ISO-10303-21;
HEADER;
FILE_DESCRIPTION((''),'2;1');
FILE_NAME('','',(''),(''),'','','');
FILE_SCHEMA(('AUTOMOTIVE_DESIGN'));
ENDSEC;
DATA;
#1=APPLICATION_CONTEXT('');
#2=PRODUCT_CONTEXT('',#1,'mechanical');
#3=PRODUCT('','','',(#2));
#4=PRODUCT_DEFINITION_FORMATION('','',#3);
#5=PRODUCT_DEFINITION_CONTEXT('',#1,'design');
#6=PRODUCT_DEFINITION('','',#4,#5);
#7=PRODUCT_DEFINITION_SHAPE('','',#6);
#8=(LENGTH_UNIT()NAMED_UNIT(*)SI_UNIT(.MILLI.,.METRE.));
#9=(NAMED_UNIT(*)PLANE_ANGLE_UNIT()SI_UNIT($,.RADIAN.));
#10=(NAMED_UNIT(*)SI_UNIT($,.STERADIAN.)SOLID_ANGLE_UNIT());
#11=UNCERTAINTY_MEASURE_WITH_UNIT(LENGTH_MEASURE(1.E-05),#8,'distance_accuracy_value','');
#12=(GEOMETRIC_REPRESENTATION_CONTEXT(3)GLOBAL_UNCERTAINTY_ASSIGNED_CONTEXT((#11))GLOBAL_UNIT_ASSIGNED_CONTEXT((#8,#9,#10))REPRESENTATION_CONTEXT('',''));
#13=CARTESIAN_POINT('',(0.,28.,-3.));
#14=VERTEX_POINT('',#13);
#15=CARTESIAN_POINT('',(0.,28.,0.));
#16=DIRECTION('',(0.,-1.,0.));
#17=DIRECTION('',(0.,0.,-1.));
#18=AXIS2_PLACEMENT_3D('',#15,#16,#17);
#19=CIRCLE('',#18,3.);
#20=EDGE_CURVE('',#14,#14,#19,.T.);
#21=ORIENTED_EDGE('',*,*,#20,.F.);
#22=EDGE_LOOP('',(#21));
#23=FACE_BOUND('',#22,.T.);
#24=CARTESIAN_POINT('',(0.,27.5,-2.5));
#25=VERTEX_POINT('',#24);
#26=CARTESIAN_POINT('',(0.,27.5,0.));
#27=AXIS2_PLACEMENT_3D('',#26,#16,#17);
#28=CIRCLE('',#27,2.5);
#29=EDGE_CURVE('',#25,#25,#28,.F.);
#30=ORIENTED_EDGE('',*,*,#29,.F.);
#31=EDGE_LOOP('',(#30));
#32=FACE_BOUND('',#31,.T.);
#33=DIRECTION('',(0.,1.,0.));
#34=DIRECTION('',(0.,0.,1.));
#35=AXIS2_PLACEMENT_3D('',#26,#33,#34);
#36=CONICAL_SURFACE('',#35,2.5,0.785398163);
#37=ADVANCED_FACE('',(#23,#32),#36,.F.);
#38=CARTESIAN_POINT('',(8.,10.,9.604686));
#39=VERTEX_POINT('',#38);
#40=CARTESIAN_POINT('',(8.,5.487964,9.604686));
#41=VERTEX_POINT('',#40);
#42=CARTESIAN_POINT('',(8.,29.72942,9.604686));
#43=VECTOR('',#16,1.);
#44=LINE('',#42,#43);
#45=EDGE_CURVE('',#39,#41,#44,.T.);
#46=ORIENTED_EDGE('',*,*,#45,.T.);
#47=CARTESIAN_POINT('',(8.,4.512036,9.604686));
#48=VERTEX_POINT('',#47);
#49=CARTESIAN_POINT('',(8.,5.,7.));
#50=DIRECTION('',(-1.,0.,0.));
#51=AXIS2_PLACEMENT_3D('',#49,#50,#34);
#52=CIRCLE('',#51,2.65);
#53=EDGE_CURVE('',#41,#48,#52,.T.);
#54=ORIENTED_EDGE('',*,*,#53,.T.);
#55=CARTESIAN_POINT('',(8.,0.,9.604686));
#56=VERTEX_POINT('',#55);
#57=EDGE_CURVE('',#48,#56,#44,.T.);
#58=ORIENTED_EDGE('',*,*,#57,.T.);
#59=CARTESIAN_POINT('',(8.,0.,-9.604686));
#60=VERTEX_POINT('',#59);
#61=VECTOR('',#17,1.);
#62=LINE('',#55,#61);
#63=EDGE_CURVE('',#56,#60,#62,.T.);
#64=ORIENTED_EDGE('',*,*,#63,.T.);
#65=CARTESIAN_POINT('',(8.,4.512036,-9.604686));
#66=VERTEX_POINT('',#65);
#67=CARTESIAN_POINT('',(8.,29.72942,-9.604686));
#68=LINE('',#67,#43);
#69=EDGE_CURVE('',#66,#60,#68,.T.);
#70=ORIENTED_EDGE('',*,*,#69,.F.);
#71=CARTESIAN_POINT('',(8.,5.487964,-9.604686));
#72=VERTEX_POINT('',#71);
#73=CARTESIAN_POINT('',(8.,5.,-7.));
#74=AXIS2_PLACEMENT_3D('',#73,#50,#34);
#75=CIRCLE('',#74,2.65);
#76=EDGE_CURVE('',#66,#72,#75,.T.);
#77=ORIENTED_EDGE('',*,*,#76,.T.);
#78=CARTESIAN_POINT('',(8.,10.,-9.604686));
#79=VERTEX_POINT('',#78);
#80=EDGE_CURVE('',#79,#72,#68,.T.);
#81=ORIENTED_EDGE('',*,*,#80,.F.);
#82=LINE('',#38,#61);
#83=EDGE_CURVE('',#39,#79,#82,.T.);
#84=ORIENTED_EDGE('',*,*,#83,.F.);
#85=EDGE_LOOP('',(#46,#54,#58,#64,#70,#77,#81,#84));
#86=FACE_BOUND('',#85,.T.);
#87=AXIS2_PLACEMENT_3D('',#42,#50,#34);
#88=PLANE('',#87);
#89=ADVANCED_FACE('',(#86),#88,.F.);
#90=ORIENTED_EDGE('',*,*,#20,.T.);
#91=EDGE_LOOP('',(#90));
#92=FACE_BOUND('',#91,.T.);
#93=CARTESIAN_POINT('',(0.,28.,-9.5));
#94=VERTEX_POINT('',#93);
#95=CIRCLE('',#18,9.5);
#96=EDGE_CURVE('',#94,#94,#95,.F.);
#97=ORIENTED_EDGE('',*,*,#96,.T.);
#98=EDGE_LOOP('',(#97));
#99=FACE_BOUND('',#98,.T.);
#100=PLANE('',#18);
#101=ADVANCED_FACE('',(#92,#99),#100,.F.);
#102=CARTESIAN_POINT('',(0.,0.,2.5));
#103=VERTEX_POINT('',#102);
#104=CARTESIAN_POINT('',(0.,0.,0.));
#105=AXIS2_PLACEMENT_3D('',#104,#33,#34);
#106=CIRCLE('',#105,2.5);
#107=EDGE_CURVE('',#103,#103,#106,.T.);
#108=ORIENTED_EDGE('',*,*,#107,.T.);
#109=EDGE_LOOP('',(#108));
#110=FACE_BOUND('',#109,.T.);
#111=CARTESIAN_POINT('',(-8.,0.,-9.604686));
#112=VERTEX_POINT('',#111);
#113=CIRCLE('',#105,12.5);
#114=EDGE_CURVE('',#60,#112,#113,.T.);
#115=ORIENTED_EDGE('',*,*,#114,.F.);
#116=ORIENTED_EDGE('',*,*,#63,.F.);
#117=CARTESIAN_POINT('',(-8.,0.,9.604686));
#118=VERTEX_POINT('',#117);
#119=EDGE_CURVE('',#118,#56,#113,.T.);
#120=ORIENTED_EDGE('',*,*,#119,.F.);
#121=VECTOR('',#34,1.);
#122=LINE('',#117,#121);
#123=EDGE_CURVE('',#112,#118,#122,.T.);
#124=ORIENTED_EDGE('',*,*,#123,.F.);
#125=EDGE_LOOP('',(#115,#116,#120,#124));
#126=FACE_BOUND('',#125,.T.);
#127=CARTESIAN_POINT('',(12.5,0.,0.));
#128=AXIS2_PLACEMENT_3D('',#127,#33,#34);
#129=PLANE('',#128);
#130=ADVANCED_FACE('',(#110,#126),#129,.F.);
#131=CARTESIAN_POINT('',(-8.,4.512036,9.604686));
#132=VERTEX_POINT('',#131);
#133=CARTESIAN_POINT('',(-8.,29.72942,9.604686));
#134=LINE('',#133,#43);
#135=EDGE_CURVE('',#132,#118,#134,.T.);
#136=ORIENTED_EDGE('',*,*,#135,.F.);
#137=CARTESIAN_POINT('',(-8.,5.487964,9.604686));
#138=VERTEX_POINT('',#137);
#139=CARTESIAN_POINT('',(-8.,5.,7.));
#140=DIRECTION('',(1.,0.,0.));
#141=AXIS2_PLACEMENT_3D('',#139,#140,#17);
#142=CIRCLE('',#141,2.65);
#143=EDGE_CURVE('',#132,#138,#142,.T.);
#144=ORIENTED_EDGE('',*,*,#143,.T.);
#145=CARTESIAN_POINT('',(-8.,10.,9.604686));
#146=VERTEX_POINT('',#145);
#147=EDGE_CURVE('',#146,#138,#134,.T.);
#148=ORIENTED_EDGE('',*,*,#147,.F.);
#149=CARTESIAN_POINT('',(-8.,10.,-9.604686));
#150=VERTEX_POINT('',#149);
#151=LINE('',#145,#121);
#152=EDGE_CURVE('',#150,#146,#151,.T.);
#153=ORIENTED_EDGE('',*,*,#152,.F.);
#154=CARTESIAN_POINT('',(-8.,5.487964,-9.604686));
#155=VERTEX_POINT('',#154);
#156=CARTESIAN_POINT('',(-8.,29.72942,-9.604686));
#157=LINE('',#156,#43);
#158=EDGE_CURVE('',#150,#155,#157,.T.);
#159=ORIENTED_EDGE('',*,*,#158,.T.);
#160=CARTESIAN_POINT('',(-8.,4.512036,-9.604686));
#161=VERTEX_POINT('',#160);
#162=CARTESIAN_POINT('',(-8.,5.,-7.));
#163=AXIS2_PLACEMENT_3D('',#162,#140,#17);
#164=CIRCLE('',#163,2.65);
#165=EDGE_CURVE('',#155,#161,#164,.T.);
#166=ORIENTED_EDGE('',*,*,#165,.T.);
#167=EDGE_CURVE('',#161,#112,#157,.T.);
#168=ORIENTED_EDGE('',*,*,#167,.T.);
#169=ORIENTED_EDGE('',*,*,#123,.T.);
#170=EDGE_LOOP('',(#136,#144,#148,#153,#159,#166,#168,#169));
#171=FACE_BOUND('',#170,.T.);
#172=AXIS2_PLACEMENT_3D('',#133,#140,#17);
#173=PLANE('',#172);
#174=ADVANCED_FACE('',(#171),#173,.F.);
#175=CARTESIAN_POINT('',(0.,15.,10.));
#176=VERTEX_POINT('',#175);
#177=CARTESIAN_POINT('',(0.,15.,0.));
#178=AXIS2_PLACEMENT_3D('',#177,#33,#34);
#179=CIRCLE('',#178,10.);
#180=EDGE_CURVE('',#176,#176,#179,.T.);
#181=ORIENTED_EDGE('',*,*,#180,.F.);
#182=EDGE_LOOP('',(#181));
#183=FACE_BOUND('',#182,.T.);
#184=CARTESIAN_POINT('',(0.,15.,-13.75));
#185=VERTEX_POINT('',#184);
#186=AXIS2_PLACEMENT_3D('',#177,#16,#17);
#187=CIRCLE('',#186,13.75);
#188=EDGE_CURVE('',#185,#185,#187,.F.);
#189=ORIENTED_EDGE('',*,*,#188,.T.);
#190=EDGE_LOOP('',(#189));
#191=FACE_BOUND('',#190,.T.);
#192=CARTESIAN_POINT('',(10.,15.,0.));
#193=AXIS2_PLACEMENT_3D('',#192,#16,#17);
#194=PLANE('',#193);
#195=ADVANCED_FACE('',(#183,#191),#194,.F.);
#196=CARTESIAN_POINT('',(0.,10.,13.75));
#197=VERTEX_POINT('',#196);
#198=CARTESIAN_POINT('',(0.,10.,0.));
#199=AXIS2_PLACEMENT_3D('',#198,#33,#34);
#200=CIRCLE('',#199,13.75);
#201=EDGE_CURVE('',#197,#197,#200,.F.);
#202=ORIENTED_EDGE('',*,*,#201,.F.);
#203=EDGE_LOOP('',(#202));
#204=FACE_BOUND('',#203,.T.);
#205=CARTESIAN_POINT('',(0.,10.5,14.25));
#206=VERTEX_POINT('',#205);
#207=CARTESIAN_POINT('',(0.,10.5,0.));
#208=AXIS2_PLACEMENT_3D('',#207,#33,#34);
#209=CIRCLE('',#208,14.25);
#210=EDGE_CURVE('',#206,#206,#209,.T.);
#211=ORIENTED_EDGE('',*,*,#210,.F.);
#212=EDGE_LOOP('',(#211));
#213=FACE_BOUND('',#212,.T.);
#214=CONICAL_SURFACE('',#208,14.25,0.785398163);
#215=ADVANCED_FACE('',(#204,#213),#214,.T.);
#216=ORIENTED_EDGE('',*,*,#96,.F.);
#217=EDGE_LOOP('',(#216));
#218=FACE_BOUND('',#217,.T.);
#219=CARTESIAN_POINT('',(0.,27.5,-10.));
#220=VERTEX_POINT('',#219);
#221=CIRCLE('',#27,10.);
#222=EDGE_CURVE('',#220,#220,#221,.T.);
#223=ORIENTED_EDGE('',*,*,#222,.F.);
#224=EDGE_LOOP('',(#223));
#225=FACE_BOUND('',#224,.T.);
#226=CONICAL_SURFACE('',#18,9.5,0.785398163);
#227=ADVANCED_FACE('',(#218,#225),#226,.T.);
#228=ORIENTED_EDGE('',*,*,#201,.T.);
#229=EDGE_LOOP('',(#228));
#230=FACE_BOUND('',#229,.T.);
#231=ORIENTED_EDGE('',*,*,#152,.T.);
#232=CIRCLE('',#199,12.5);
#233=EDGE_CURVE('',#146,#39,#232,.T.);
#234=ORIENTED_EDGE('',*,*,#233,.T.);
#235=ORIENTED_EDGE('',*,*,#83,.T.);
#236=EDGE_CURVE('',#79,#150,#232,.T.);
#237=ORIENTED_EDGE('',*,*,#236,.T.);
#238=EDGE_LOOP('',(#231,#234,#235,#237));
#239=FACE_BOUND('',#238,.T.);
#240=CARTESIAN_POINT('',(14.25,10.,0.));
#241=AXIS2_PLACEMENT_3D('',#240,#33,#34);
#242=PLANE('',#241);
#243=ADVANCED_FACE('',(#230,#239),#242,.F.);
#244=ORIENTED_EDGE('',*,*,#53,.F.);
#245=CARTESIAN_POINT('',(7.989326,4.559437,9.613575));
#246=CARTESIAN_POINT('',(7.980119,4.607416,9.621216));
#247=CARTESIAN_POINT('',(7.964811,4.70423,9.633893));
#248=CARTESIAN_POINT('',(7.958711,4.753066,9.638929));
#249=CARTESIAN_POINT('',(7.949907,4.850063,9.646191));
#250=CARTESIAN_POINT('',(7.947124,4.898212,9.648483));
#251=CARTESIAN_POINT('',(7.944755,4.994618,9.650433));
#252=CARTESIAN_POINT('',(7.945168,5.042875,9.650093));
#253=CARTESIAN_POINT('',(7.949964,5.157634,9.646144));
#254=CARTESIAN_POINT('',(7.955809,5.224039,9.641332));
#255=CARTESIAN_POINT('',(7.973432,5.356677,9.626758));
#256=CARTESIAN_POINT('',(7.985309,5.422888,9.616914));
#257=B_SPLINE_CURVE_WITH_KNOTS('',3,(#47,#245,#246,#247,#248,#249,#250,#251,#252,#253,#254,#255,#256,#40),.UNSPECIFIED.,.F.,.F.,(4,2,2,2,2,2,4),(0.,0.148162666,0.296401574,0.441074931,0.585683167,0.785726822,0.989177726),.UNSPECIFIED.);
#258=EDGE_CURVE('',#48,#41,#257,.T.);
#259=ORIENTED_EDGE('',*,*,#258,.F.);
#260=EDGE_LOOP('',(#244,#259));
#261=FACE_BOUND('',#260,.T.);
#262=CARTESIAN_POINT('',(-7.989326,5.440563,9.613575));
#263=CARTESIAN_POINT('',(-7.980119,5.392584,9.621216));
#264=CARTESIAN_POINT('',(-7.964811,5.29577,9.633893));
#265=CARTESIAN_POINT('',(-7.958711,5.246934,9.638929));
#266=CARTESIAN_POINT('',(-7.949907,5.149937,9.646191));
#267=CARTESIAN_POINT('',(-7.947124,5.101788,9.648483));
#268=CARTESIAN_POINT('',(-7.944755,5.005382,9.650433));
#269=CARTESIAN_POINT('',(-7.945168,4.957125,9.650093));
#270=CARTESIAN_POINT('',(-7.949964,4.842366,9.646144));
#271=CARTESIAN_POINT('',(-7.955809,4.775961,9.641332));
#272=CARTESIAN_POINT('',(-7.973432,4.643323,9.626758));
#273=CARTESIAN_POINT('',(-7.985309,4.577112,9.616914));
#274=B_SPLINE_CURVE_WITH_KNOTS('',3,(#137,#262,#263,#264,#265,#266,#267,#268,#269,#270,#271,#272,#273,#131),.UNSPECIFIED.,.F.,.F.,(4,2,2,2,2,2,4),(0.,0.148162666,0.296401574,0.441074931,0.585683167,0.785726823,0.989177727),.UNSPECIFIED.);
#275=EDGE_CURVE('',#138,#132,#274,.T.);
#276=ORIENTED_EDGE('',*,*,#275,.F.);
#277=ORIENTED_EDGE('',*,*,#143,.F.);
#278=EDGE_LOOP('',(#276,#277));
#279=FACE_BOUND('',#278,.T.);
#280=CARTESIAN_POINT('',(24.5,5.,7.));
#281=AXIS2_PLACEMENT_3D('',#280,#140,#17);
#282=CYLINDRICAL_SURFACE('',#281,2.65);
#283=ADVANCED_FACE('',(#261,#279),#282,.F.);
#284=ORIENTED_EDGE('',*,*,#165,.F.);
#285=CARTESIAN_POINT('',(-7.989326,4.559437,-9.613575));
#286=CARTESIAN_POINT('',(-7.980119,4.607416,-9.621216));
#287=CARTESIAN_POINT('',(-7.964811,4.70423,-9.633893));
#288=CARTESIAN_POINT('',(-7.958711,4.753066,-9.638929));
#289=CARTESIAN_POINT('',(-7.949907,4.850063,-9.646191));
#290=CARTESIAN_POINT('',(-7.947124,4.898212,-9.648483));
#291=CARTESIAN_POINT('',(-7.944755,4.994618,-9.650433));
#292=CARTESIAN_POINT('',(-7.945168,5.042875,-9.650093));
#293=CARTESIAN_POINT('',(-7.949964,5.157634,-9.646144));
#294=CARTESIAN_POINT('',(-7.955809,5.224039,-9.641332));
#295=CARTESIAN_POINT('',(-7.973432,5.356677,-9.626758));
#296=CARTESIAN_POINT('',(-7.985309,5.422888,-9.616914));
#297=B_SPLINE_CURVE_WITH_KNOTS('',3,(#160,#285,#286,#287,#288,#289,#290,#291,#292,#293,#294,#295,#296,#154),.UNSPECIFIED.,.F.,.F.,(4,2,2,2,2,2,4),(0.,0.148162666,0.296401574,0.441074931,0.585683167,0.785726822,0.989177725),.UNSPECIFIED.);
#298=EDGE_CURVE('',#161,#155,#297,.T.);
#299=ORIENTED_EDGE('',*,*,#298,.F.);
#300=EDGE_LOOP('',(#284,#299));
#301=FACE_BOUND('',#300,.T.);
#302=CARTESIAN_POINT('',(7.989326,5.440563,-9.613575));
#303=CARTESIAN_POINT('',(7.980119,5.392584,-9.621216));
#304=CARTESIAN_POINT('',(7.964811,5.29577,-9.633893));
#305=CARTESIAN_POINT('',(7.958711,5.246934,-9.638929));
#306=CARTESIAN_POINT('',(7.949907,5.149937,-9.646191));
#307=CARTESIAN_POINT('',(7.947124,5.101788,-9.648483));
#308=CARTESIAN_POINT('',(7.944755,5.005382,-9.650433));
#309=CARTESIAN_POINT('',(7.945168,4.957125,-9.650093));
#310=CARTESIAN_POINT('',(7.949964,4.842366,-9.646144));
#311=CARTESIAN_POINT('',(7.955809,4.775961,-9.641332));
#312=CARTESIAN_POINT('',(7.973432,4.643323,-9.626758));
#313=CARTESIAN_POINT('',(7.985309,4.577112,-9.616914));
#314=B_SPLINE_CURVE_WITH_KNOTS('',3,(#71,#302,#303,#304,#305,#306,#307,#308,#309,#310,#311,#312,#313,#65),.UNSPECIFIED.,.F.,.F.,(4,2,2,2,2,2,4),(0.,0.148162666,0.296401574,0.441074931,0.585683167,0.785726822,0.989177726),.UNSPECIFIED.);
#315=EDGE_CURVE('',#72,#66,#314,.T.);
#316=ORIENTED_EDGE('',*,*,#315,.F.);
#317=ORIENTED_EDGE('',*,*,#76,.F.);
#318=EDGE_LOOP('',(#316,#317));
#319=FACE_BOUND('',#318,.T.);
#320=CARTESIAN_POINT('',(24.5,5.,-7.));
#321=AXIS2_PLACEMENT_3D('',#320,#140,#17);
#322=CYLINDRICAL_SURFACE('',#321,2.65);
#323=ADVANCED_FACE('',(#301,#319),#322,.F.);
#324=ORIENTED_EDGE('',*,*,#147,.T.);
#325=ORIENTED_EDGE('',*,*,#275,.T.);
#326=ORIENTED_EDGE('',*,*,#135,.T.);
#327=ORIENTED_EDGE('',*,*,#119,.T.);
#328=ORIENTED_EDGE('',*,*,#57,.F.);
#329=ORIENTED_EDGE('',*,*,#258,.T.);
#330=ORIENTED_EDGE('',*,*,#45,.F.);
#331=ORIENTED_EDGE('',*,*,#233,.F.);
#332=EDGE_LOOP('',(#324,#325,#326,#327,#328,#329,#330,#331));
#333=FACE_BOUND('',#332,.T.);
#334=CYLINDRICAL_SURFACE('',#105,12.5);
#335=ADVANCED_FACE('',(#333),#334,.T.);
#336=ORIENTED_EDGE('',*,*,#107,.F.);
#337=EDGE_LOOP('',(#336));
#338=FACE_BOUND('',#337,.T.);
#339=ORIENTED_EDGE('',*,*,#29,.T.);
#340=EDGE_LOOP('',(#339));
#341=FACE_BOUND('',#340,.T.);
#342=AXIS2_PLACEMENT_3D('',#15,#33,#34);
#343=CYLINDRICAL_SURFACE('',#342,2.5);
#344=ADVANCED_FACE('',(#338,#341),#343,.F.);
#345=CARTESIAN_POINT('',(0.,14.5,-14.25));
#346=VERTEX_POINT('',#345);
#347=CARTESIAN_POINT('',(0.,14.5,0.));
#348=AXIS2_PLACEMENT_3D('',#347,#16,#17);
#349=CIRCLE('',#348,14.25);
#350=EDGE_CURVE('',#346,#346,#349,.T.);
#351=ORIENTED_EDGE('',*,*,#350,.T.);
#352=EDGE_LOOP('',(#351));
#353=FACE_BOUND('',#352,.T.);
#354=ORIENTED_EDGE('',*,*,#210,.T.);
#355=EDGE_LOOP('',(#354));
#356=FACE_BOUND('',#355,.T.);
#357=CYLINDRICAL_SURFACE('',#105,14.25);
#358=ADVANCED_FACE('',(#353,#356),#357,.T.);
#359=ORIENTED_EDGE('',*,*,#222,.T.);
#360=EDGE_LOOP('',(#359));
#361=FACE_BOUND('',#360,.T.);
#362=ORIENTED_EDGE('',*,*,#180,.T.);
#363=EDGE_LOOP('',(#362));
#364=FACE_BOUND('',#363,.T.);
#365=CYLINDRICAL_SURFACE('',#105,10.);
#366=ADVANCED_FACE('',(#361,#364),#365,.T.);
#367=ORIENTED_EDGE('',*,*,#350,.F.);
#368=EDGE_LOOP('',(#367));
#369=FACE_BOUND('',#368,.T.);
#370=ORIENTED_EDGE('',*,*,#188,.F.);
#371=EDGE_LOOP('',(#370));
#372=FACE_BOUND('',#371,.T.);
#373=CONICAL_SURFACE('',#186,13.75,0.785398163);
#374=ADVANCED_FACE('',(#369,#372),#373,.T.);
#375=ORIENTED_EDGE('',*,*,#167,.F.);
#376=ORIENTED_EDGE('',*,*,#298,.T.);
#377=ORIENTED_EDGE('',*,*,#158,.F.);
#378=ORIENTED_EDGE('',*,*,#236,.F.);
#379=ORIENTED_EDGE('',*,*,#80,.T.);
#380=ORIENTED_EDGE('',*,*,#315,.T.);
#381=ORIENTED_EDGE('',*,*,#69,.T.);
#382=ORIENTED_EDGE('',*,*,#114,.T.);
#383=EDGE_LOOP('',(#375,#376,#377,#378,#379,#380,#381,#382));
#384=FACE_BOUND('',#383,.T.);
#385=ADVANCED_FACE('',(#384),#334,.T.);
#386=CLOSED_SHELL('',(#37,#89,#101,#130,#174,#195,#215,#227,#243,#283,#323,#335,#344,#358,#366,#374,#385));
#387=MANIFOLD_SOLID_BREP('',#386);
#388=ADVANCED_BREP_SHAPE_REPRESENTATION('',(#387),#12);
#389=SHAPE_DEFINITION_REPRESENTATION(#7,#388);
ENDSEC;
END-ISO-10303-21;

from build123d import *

# Parameters (mm, degrees)
WYTNIJ_WYCI_GNI_CIE1_DEPTH                        = 10
POG_BIENIE_WALCOWE_POD_M5_RUB_Z_BEM_W_D           = 5.3
POG_BIENIE_WALCOWE_POD_M5_RUB_Z_BEM_W_DEPTH       = 60
POG_BIENIE_WALCOWE_POD_M5_RUB_Z_BEM_W_CBORE_D     = 10
POG_BIENIE_WALCOWE_POD_M5_RUB_Z_BEM_W_CBORE_DEPTH = 5
POG_BIENIE_WALCOWE_POD_M5_RUB_Z_BEM_W_TIP         = 1.59228064
OTWORY_USTALAJ_CE_5_0MM1_D                        = 5
SFAZOWANIE1_SIZE                                  = 0.5


with BuildPart() as part:
    # Szkic1 → Obrót1 (revolve)
    with BuildSketch(Plane.XY, mode=Mode.PRIVATE) as obr_t1_sk:
        Polygon((0, 0), (0, 28), (10, 28), (10, 15), (14.25, 15), (14.25, 10), (12.5, 10), (12.5, 0), align=None)
    revolve(obr_t1_sk.sketch.rotate(Axis((0, 0, 0), (0, -1, 0)), 90), axis=Axis((0, 0, 0), (0, -1, 0)))

    # Szkic2 → Wytnij-wyciągnięcie1 (cut)
    with BuildSketch(Plane(origin=(0, 0, 0), x_dir=(-1, 0, 0), z_dir=(0, -1, 0))):
        with BuildLine():
            Line((-8, -9.604686356), (-8, 9.604686356))
            ThreePointArc((-8, 9.604686356), (-12.5, 0), (-8, -9.604686356))
        make_face()
        with BuildLine():
            Line((8, -9.604686356), (8, 9.604686356))
            ThreePointArc((8, 9.604686356), (12.5, 0), (8, -9.604686356))
        make_face()
    extrude(amount=-WYTNIJ_WYCI_GNI_CIE1_DEPTH, mode=Mode.SUBTRACT)

    # Pogłębienie walcowe pod M5 Śrubę z łbem walcowym z gniazdem
    with Locations(Plane(origin=(24.5, 33, -156.349537134), x_dir=(-2.1969032495960934e-12, 0, -1.0), z_dir=(1.0, 0, -2.1969032495960934e-12))):
        with Locations((-163.349537134, -28), (-149.349537134, -28)):
            CounterBoreHole(POG_BIENIE_WALCOWE_POD_M5_RUB_Z_BEM_W_D / 2, POG_BIENIE_WALCOWE_POD_M5_RUB_Z_BEM_W_CBORE_D / 2, POG_BIENIE_WALCOWE_POD_M5_RUB_Z_BEM_W_CBORE_DEPTH, depth=POG_BIENIE_WALCOWE_POD_M5_RUB_Z_BEM_W_DEPTH)
            with Locations((0, 0, -(POG_BIENIE_WALCOWE_POD_M5_RUB_Z_BEM_W_DEPTH + POG_BIENIE_WALCOWE_POD_M5_RUB_Z_BEM_W_TIP / 2))):  # 118° drill point
                Cone(0, POG_BIENIE_WALCOWE_POD_M5_RUB_Z_BEM_W_D / 2, POG_BIENIE_WALCOWE_POD_M5_RUB_Z_BEM_W_TIP, mode=Mode.SUBTRACT)

    # Otwory ustalające Ø5.0mm1 (through all)
    with Locations(Plane(origin=(0, 28, 0), x_dir=(1, 0, 0), z_dir=(0, 1, 0))):
        with Locations((0, 0)):
            Hole(OTWORY_USTALAJ_CE_5_0MM1_D / 2)

    # Sfazowanie1
    sfazowanie1_edges = [part.edges().sort_by_distance(p)[0] for p in [
        (2.5, 28, 0),
        (0, 10, -14.25),
        (0, 15, -14.25),
        (0, 28, -10),
    ]]
    chamfer(sfazowanie1_edges, length=SFAZOWANIE1_SIZE)


solid = part.part
